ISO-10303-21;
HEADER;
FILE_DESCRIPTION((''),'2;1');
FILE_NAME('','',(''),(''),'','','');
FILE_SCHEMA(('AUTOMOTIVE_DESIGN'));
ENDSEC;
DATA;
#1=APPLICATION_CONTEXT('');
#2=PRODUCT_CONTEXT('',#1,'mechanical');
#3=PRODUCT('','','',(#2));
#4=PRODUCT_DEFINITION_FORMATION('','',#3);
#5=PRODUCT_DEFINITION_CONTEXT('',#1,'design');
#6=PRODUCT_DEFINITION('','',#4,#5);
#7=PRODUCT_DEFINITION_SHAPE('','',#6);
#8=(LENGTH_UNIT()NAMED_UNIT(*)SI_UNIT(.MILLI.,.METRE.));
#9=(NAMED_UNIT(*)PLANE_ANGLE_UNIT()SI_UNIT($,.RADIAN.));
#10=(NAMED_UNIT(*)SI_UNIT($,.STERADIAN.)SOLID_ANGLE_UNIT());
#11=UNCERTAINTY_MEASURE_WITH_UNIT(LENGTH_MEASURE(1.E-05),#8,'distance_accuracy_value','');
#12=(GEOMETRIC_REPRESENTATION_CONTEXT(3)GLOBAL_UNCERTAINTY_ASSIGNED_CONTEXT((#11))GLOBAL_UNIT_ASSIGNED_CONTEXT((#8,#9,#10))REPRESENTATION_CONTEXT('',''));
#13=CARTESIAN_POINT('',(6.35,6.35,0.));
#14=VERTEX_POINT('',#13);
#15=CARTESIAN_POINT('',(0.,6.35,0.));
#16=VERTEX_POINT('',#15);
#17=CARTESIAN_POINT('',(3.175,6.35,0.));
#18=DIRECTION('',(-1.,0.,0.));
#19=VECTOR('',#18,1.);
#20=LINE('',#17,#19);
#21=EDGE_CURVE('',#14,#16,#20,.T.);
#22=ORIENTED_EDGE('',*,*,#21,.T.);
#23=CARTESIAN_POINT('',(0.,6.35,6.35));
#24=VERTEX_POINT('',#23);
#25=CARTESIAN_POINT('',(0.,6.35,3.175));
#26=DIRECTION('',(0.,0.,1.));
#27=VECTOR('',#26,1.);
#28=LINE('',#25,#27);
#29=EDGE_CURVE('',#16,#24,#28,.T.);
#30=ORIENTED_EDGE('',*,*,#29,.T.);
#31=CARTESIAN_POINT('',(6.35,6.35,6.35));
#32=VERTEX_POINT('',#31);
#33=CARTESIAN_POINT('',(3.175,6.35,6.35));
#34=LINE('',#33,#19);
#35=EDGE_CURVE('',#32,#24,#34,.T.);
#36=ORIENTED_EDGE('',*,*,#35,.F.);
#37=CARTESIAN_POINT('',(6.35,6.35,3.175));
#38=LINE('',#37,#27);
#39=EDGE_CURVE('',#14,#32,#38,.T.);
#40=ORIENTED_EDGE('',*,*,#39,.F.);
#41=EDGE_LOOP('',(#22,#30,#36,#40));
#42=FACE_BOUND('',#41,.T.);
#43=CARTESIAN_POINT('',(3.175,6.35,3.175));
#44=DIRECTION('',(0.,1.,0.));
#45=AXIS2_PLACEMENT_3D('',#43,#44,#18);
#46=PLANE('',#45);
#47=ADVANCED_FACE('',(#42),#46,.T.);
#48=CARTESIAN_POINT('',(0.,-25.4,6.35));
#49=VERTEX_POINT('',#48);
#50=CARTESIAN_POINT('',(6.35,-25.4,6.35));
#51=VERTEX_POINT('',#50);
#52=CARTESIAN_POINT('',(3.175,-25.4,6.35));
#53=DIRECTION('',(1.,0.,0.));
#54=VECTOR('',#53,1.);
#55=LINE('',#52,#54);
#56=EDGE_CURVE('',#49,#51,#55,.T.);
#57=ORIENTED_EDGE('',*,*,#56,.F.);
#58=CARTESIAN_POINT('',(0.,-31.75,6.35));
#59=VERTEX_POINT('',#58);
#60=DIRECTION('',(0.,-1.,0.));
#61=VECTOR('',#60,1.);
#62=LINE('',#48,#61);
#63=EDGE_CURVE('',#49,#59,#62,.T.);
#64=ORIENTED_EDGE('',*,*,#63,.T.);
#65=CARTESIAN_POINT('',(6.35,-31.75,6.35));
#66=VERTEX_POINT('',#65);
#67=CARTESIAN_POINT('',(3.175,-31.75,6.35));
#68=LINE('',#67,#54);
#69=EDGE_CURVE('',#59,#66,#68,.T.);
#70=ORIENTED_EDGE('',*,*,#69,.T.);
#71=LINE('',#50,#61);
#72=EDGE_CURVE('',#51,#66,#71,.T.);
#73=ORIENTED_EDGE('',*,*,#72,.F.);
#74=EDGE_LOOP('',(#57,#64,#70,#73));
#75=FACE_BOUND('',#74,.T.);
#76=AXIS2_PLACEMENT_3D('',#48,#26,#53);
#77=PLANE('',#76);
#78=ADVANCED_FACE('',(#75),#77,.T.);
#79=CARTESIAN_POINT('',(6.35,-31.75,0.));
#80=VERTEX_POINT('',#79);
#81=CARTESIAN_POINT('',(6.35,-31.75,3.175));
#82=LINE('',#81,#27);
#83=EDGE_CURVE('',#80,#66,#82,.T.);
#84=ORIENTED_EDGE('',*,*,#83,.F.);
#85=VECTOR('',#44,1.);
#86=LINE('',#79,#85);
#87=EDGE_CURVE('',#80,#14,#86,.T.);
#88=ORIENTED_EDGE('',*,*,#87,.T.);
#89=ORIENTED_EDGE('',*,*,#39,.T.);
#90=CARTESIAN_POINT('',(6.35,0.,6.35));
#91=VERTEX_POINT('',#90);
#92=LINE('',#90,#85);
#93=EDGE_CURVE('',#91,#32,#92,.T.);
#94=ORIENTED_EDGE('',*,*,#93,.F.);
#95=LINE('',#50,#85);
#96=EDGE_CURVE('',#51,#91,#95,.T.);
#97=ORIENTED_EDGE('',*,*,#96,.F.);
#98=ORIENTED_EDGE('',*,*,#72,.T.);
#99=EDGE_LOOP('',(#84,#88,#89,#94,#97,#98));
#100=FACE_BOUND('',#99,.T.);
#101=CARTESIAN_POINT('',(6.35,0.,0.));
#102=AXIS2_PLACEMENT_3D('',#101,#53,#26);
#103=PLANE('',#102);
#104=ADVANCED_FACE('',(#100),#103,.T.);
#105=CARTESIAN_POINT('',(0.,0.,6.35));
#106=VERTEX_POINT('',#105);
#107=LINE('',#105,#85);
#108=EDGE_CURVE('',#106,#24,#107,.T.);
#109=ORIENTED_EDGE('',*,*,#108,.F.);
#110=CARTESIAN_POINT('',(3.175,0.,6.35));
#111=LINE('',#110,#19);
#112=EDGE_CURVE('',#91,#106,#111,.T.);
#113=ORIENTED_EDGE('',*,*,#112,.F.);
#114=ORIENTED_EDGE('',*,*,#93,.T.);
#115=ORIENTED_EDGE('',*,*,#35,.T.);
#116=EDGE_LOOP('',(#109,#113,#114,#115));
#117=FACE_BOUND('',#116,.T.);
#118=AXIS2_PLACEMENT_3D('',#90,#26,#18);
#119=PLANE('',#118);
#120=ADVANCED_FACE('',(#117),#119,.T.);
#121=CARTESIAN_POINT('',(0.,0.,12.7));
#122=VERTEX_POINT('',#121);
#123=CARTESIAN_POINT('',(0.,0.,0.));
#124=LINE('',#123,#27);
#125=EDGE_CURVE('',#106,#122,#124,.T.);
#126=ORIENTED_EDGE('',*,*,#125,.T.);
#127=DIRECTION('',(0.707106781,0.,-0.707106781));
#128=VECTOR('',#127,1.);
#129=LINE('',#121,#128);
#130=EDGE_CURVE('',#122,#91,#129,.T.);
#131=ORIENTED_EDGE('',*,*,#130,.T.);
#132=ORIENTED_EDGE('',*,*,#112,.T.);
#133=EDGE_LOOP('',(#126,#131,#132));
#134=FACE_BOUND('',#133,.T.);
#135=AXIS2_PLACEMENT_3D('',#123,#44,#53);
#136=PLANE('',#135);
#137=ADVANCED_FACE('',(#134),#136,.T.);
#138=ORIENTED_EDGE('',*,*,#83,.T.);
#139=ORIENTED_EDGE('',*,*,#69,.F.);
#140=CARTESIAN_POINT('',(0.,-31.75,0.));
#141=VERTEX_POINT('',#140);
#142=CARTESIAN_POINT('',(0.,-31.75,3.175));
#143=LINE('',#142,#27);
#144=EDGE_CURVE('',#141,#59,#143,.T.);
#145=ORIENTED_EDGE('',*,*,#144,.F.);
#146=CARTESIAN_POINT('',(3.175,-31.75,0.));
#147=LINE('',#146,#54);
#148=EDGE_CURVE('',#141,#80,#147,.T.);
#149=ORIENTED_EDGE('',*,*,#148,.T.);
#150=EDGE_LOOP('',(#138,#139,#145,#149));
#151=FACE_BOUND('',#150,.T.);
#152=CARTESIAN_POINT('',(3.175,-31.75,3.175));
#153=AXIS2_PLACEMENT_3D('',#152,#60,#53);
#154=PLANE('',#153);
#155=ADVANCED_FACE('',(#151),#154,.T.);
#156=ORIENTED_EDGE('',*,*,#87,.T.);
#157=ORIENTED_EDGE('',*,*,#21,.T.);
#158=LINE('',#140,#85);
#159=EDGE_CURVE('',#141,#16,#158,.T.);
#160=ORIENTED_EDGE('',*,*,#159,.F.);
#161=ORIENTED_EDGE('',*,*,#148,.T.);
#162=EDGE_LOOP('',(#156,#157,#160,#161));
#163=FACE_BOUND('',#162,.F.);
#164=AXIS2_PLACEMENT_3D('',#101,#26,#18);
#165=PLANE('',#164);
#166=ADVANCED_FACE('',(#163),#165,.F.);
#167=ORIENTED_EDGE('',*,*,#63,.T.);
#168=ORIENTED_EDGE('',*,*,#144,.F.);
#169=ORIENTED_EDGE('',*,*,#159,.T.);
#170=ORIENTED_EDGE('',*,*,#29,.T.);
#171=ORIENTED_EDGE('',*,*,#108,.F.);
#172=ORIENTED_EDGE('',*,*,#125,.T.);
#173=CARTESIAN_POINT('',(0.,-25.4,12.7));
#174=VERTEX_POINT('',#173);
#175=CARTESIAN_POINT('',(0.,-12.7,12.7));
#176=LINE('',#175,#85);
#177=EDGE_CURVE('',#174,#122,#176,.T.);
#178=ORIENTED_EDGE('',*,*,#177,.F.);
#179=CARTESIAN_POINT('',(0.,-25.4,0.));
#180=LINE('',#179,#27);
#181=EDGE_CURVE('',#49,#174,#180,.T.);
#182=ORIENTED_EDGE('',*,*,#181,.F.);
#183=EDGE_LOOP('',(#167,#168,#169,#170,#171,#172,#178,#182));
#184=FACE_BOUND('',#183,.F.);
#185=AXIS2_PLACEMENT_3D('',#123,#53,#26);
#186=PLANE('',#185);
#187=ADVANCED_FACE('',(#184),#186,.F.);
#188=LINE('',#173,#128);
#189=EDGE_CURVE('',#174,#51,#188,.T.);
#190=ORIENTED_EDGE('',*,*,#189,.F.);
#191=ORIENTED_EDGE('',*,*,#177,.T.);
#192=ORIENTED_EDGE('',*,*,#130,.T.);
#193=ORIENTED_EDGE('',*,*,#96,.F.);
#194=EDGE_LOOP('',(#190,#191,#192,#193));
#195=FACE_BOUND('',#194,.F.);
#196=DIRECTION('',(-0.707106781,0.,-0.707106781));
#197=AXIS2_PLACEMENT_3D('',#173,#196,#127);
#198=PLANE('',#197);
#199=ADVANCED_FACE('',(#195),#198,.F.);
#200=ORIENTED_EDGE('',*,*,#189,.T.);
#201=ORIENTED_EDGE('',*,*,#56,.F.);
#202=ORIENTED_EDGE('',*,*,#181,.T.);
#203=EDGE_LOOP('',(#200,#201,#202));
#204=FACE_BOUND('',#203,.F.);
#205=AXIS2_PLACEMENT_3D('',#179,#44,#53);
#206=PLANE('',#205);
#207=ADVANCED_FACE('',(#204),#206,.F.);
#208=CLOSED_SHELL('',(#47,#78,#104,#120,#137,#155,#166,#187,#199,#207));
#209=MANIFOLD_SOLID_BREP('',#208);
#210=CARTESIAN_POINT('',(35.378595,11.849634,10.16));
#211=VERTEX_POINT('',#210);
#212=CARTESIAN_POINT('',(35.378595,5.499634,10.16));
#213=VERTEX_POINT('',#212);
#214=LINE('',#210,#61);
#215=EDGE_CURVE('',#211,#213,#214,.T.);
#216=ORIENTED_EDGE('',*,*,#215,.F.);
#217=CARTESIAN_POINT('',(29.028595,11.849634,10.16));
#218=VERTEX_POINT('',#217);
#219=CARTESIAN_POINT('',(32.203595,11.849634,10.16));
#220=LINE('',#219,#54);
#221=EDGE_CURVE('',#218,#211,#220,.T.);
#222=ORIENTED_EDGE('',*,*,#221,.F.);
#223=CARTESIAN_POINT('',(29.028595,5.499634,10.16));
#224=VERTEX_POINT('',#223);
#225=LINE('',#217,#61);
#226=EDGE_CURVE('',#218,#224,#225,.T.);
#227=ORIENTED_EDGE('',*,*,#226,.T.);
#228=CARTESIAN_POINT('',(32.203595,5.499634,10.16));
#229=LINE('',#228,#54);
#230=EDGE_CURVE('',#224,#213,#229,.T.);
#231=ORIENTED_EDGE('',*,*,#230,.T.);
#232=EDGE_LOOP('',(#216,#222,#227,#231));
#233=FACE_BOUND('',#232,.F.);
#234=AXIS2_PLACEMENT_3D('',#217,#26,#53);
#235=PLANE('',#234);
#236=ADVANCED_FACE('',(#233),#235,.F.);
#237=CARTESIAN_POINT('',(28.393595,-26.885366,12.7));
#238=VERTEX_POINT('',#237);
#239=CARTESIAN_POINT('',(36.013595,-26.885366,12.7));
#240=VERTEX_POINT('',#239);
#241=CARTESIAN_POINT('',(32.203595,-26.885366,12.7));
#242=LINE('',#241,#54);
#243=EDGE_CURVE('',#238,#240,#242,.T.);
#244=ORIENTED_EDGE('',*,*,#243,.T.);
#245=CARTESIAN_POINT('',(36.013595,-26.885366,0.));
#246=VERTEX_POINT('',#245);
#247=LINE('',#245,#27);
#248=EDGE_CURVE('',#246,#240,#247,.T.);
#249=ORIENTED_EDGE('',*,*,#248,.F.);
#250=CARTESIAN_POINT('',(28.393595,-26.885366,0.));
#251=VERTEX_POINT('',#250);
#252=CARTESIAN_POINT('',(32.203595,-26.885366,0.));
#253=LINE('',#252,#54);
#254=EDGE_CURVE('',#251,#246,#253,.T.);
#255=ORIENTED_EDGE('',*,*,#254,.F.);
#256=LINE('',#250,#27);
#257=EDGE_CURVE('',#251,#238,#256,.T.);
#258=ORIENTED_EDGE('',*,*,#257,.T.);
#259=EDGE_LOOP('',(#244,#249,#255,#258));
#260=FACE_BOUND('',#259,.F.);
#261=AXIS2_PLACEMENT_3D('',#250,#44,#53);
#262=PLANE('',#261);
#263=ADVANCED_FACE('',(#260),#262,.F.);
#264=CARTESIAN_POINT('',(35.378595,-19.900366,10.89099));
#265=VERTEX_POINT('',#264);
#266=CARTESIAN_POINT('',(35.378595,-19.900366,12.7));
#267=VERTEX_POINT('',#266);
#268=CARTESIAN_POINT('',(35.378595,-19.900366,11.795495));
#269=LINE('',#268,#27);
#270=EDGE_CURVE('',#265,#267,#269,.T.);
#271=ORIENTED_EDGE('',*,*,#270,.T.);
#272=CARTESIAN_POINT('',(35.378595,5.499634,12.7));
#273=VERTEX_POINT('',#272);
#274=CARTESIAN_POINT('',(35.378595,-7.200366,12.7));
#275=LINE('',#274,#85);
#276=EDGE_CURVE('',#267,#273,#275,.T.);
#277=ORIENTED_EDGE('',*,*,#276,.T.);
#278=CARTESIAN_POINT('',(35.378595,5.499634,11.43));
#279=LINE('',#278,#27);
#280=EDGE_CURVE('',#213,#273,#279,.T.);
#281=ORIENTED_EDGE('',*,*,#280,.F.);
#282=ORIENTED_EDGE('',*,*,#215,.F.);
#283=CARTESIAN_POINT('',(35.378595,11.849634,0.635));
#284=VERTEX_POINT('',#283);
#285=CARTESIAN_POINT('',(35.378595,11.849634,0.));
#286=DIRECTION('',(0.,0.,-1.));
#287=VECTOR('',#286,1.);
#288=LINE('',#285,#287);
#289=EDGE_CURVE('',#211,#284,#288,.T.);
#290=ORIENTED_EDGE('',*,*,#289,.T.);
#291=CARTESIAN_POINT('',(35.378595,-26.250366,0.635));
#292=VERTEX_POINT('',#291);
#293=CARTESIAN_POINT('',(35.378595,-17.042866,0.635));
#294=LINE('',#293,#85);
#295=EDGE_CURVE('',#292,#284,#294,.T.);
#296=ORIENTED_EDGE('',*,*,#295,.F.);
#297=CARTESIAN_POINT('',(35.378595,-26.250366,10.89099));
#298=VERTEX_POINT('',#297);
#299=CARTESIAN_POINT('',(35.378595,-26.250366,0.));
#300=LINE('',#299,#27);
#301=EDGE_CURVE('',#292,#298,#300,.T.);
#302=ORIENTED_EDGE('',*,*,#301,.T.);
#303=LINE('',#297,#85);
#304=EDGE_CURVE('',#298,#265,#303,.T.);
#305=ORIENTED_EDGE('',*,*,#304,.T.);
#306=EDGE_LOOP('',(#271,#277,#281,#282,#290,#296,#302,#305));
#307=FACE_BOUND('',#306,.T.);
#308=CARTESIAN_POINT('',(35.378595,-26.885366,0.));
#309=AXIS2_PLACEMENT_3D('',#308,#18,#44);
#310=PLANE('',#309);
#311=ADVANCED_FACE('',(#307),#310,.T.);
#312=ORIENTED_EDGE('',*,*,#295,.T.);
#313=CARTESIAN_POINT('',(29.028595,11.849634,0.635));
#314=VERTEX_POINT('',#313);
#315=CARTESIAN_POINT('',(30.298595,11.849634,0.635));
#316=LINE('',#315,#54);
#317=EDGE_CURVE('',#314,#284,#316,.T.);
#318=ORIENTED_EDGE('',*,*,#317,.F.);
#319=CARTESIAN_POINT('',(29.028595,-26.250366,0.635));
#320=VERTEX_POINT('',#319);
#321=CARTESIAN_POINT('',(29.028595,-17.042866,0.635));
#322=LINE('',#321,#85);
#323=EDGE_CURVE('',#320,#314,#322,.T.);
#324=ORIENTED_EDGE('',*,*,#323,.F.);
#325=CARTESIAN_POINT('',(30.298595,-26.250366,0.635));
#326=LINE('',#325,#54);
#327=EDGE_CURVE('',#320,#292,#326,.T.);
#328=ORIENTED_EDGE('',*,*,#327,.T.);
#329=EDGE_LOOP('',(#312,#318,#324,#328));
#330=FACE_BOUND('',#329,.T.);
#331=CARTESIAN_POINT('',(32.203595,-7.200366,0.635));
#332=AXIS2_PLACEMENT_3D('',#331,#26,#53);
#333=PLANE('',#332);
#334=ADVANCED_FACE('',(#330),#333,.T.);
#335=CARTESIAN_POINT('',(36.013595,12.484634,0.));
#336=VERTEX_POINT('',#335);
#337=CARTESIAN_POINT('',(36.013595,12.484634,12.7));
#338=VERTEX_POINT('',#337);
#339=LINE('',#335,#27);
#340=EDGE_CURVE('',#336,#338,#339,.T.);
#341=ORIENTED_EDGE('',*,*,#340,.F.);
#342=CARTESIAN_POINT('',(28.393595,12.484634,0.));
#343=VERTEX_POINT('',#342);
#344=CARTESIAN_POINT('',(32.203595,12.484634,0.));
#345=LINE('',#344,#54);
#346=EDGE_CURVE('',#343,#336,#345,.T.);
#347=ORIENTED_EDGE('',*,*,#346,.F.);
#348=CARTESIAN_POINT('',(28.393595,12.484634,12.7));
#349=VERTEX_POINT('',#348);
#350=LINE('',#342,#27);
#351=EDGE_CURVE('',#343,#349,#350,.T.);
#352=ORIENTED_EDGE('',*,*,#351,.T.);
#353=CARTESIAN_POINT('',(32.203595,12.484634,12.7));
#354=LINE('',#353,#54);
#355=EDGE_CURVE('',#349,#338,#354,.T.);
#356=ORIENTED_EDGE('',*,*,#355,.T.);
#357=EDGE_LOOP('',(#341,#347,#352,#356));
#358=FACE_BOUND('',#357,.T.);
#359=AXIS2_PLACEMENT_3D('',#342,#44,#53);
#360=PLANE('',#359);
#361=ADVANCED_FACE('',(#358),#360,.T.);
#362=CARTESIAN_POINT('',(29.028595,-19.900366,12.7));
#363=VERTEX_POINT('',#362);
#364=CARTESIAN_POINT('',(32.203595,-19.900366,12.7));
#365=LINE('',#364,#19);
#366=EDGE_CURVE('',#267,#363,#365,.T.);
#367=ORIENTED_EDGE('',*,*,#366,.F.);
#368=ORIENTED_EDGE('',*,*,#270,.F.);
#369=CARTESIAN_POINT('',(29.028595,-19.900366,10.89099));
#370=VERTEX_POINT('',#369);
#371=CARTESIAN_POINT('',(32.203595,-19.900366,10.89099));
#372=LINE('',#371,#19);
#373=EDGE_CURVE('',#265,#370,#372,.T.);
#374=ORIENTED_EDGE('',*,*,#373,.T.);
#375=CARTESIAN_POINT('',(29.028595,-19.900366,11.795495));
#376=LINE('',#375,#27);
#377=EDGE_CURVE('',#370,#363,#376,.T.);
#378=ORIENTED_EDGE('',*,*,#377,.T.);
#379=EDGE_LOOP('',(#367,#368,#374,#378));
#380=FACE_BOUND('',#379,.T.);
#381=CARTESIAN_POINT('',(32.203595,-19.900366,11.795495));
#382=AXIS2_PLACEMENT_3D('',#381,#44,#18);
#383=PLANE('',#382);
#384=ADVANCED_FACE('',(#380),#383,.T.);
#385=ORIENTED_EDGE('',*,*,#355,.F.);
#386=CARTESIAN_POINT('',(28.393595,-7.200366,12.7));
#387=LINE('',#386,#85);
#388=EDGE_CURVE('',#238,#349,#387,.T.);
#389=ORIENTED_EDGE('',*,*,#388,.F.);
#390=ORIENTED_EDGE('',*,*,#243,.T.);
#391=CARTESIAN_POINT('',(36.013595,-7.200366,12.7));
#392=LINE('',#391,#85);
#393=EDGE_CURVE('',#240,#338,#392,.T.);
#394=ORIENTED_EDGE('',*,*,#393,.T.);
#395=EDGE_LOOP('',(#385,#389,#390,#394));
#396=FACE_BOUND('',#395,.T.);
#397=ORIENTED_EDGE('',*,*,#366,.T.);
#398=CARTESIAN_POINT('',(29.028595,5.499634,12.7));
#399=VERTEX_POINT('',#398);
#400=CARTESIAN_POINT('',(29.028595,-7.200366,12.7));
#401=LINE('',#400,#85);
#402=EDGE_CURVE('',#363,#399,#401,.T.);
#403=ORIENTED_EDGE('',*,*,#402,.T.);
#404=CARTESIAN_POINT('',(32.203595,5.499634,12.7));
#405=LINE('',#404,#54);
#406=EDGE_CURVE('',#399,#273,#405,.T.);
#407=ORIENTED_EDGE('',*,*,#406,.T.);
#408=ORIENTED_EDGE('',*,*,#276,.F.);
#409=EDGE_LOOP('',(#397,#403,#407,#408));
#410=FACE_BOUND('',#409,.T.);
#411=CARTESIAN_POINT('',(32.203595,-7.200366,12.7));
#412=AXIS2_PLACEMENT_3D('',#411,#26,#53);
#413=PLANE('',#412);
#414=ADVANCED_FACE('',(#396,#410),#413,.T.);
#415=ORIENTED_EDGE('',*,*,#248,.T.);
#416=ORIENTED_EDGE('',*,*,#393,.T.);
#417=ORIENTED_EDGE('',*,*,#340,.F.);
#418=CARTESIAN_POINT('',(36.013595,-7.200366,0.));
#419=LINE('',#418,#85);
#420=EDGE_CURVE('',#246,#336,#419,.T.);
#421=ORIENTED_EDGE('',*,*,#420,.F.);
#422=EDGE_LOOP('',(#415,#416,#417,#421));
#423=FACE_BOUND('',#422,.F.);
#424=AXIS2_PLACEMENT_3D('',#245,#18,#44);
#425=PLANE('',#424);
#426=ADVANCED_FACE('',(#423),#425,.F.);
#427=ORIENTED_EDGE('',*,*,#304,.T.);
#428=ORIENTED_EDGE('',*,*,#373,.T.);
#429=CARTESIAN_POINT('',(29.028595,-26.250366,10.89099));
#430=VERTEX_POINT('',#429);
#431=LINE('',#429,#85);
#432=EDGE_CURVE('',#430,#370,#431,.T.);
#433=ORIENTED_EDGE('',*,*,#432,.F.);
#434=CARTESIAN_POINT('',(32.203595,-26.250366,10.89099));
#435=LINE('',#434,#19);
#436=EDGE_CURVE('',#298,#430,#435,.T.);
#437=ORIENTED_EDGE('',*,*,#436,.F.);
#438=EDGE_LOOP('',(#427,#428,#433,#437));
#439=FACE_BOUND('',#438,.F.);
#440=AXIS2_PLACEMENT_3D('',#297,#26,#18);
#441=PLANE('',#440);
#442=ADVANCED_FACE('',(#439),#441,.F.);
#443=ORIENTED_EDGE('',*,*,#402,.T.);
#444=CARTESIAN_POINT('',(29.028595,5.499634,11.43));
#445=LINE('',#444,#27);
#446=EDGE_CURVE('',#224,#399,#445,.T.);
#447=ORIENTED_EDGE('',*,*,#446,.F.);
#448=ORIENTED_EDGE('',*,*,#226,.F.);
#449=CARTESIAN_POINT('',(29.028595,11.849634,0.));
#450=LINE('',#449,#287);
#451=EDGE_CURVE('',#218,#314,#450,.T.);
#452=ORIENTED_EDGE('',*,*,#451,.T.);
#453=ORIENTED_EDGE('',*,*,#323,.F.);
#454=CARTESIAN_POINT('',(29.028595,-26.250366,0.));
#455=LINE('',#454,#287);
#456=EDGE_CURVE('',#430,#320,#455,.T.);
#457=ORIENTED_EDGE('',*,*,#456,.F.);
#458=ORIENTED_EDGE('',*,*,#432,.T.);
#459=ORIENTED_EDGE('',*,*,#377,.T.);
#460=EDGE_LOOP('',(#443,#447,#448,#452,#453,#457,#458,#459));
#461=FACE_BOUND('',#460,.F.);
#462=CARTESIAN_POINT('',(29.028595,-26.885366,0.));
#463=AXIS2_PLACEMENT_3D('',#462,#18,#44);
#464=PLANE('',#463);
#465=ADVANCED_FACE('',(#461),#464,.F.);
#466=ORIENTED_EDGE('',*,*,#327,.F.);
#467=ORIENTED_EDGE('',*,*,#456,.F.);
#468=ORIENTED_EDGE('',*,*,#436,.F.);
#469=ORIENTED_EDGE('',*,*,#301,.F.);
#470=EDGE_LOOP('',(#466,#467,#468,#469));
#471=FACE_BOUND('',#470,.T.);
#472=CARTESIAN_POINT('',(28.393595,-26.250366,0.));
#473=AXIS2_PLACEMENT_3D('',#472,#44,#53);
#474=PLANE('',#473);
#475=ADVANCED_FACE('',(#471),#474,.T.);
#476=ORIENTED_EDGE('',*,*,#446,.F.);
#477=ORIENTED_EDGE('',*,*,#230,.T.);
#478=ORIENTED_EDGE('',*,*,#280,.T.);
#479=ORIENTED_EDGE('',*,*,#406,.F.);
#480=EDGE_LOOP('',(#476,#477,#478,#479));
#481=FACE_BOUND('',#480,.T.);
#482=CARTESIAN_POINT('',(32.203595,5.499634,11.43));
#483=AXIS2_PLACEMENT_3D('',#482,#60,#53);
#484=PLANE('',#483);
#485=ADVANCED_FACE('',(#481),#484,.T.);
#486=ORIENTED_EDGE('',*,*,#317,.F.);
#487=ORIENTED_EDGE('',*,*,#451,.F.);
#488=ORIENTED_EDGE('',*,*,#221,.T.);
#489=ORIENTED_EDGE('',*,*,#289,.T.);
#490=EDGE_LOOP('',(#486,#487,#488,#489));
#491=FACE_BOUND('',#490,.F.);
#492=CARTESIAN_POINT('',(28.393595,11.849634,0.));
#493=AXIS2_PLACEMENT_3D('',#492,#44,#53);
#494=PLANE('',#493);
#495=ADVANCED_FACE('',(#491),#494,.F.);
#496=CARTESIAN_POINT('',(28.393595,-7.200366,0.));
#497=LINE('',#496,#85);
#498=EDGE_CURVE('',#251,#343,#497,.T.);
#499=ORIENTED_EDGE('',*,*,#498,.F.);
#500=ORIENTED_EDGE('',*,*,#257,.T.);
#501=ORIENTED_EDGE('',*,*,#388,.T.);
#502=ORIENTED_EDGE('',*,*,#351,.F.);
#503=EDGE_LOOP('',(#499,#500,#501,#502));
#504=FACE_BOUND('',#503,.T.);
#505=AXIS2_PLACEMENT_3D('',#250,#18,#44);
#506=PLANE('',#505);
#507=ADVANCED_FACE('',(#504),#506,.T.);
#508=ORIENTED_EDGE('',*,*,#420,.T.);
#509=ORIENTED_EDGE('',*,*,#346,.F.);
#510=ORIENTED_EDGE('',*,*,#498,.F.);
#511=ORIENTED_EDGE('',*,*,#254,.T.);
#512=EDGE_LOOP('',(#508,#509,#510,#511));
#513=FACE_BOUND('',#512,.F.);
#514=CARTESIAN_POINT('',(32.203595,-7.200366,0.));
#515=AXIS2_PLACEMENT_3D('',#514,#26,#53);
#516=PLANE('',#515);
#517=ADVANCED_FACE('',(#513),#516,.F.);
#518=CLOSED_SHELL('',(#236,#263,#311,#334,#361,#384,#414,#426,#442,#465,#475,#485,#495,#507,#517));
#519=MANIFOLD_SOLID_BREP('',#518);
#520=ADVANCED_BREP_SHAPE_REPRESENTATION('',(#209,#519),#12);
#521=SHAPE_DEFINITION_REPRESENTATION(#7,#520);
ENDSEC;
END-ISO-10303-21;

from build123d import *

# Parameters (mm, degrees)
F0_W      = 6.35
F0_H      = 25.4
F1_DEPTH  = 12.7
F3_DEPTH  = 25.4
F0_W_2    = 7.62
F0_H_2    = 39.37
F4_DEPTH  = 12.7
F5_T      = -0.635
F6_W      = 6.35
F6_H      = 6.35
F7_DEPTH  = 6.35
F8_W      = 6.35
F8_H      = 6.35
F9_DEPTH  = 6.35
F10_W     = 6.35
F10_H     = 2.54
F11_DEPTH = 6.35
F12_W     = 6.35
F12_H     = 1.80901
F13_DEPTH = 6.35


with BuildPart() as f1:
    # F0 (on Top) → F1 (new body)
    with BuildSketch(Plane.XY):
        with Locations((3.175, -12.7)):
            Rectangle(F0_W, F0_H)
    extrude(amount=F1_DEPTH)

    # F2 (on face) → F3 (cut, through all)
    with BuildSketch(Plane.XZ.offset(25.4)):
        Polygon((0, 12.7), (6.35, 6.35), (6.35, 12.7), align=None)
    extrude(amount=-F3_DEPTH, mode=Mode.SUBTRACT)

    # F6 (on face) → F7 (join)
    with BuildSketch(Plane.XZ.offset(25.4)):
        with Locations((3.175, 3.175)):
            Rectangle(F6_W, F6_H)
    extrude(amount=F7_DEPTH)

    # F8 (on face) → F9 (join)
    with BuildSketch(Plane(origin=(0, 0, 0), x_dir=(-1, 0, 0), z_dir=(0, 1, 0))):
        with Locations((-3.175, 3.175)):
            Rectangle(F8_W, F8_H)
    extrude(amount=F9_DEPTH)


with BuildPart() as f4:
    # F0 (on Top) → F4 (new body)
    with BuildSketch(Plane.XY):
        with Locations((32.203595, -7.200366)):
            Rectangle(F0_W_2, F0_H_2)
    extrude(amount=F4_DEPTH)

    # F5
    f5_openings = [f4.faces().sort_by_distance(p)[0] for p in [
        (32.203595, -7.200366, 12.7),
    ]]
    offset(amount=F5_T, openings=f5_openings)

    # F10 (on face) → F11 (join)
    with BuildSketch(Plane.XZ.offset(-11.849634)):
        with Locations((32.203595, 11.43)):
            Rectangle(F10_W, F10_H)
    extrude(amount=F11_DEPTH)

    # F12 (on face) → F13 (join)
    with BuildSketch(Plane(origin=(0, -26.250366, 0), x_dir=(-1, 0, 0), z_dir=(0, 1, 0))):
        with Locations((-32.203595, 11.795495)):
            Rectangle(F12_W, F12_H)
    extrude(amount=F13_DEPTH)


solid = Compound([f1.part, f4.part])
